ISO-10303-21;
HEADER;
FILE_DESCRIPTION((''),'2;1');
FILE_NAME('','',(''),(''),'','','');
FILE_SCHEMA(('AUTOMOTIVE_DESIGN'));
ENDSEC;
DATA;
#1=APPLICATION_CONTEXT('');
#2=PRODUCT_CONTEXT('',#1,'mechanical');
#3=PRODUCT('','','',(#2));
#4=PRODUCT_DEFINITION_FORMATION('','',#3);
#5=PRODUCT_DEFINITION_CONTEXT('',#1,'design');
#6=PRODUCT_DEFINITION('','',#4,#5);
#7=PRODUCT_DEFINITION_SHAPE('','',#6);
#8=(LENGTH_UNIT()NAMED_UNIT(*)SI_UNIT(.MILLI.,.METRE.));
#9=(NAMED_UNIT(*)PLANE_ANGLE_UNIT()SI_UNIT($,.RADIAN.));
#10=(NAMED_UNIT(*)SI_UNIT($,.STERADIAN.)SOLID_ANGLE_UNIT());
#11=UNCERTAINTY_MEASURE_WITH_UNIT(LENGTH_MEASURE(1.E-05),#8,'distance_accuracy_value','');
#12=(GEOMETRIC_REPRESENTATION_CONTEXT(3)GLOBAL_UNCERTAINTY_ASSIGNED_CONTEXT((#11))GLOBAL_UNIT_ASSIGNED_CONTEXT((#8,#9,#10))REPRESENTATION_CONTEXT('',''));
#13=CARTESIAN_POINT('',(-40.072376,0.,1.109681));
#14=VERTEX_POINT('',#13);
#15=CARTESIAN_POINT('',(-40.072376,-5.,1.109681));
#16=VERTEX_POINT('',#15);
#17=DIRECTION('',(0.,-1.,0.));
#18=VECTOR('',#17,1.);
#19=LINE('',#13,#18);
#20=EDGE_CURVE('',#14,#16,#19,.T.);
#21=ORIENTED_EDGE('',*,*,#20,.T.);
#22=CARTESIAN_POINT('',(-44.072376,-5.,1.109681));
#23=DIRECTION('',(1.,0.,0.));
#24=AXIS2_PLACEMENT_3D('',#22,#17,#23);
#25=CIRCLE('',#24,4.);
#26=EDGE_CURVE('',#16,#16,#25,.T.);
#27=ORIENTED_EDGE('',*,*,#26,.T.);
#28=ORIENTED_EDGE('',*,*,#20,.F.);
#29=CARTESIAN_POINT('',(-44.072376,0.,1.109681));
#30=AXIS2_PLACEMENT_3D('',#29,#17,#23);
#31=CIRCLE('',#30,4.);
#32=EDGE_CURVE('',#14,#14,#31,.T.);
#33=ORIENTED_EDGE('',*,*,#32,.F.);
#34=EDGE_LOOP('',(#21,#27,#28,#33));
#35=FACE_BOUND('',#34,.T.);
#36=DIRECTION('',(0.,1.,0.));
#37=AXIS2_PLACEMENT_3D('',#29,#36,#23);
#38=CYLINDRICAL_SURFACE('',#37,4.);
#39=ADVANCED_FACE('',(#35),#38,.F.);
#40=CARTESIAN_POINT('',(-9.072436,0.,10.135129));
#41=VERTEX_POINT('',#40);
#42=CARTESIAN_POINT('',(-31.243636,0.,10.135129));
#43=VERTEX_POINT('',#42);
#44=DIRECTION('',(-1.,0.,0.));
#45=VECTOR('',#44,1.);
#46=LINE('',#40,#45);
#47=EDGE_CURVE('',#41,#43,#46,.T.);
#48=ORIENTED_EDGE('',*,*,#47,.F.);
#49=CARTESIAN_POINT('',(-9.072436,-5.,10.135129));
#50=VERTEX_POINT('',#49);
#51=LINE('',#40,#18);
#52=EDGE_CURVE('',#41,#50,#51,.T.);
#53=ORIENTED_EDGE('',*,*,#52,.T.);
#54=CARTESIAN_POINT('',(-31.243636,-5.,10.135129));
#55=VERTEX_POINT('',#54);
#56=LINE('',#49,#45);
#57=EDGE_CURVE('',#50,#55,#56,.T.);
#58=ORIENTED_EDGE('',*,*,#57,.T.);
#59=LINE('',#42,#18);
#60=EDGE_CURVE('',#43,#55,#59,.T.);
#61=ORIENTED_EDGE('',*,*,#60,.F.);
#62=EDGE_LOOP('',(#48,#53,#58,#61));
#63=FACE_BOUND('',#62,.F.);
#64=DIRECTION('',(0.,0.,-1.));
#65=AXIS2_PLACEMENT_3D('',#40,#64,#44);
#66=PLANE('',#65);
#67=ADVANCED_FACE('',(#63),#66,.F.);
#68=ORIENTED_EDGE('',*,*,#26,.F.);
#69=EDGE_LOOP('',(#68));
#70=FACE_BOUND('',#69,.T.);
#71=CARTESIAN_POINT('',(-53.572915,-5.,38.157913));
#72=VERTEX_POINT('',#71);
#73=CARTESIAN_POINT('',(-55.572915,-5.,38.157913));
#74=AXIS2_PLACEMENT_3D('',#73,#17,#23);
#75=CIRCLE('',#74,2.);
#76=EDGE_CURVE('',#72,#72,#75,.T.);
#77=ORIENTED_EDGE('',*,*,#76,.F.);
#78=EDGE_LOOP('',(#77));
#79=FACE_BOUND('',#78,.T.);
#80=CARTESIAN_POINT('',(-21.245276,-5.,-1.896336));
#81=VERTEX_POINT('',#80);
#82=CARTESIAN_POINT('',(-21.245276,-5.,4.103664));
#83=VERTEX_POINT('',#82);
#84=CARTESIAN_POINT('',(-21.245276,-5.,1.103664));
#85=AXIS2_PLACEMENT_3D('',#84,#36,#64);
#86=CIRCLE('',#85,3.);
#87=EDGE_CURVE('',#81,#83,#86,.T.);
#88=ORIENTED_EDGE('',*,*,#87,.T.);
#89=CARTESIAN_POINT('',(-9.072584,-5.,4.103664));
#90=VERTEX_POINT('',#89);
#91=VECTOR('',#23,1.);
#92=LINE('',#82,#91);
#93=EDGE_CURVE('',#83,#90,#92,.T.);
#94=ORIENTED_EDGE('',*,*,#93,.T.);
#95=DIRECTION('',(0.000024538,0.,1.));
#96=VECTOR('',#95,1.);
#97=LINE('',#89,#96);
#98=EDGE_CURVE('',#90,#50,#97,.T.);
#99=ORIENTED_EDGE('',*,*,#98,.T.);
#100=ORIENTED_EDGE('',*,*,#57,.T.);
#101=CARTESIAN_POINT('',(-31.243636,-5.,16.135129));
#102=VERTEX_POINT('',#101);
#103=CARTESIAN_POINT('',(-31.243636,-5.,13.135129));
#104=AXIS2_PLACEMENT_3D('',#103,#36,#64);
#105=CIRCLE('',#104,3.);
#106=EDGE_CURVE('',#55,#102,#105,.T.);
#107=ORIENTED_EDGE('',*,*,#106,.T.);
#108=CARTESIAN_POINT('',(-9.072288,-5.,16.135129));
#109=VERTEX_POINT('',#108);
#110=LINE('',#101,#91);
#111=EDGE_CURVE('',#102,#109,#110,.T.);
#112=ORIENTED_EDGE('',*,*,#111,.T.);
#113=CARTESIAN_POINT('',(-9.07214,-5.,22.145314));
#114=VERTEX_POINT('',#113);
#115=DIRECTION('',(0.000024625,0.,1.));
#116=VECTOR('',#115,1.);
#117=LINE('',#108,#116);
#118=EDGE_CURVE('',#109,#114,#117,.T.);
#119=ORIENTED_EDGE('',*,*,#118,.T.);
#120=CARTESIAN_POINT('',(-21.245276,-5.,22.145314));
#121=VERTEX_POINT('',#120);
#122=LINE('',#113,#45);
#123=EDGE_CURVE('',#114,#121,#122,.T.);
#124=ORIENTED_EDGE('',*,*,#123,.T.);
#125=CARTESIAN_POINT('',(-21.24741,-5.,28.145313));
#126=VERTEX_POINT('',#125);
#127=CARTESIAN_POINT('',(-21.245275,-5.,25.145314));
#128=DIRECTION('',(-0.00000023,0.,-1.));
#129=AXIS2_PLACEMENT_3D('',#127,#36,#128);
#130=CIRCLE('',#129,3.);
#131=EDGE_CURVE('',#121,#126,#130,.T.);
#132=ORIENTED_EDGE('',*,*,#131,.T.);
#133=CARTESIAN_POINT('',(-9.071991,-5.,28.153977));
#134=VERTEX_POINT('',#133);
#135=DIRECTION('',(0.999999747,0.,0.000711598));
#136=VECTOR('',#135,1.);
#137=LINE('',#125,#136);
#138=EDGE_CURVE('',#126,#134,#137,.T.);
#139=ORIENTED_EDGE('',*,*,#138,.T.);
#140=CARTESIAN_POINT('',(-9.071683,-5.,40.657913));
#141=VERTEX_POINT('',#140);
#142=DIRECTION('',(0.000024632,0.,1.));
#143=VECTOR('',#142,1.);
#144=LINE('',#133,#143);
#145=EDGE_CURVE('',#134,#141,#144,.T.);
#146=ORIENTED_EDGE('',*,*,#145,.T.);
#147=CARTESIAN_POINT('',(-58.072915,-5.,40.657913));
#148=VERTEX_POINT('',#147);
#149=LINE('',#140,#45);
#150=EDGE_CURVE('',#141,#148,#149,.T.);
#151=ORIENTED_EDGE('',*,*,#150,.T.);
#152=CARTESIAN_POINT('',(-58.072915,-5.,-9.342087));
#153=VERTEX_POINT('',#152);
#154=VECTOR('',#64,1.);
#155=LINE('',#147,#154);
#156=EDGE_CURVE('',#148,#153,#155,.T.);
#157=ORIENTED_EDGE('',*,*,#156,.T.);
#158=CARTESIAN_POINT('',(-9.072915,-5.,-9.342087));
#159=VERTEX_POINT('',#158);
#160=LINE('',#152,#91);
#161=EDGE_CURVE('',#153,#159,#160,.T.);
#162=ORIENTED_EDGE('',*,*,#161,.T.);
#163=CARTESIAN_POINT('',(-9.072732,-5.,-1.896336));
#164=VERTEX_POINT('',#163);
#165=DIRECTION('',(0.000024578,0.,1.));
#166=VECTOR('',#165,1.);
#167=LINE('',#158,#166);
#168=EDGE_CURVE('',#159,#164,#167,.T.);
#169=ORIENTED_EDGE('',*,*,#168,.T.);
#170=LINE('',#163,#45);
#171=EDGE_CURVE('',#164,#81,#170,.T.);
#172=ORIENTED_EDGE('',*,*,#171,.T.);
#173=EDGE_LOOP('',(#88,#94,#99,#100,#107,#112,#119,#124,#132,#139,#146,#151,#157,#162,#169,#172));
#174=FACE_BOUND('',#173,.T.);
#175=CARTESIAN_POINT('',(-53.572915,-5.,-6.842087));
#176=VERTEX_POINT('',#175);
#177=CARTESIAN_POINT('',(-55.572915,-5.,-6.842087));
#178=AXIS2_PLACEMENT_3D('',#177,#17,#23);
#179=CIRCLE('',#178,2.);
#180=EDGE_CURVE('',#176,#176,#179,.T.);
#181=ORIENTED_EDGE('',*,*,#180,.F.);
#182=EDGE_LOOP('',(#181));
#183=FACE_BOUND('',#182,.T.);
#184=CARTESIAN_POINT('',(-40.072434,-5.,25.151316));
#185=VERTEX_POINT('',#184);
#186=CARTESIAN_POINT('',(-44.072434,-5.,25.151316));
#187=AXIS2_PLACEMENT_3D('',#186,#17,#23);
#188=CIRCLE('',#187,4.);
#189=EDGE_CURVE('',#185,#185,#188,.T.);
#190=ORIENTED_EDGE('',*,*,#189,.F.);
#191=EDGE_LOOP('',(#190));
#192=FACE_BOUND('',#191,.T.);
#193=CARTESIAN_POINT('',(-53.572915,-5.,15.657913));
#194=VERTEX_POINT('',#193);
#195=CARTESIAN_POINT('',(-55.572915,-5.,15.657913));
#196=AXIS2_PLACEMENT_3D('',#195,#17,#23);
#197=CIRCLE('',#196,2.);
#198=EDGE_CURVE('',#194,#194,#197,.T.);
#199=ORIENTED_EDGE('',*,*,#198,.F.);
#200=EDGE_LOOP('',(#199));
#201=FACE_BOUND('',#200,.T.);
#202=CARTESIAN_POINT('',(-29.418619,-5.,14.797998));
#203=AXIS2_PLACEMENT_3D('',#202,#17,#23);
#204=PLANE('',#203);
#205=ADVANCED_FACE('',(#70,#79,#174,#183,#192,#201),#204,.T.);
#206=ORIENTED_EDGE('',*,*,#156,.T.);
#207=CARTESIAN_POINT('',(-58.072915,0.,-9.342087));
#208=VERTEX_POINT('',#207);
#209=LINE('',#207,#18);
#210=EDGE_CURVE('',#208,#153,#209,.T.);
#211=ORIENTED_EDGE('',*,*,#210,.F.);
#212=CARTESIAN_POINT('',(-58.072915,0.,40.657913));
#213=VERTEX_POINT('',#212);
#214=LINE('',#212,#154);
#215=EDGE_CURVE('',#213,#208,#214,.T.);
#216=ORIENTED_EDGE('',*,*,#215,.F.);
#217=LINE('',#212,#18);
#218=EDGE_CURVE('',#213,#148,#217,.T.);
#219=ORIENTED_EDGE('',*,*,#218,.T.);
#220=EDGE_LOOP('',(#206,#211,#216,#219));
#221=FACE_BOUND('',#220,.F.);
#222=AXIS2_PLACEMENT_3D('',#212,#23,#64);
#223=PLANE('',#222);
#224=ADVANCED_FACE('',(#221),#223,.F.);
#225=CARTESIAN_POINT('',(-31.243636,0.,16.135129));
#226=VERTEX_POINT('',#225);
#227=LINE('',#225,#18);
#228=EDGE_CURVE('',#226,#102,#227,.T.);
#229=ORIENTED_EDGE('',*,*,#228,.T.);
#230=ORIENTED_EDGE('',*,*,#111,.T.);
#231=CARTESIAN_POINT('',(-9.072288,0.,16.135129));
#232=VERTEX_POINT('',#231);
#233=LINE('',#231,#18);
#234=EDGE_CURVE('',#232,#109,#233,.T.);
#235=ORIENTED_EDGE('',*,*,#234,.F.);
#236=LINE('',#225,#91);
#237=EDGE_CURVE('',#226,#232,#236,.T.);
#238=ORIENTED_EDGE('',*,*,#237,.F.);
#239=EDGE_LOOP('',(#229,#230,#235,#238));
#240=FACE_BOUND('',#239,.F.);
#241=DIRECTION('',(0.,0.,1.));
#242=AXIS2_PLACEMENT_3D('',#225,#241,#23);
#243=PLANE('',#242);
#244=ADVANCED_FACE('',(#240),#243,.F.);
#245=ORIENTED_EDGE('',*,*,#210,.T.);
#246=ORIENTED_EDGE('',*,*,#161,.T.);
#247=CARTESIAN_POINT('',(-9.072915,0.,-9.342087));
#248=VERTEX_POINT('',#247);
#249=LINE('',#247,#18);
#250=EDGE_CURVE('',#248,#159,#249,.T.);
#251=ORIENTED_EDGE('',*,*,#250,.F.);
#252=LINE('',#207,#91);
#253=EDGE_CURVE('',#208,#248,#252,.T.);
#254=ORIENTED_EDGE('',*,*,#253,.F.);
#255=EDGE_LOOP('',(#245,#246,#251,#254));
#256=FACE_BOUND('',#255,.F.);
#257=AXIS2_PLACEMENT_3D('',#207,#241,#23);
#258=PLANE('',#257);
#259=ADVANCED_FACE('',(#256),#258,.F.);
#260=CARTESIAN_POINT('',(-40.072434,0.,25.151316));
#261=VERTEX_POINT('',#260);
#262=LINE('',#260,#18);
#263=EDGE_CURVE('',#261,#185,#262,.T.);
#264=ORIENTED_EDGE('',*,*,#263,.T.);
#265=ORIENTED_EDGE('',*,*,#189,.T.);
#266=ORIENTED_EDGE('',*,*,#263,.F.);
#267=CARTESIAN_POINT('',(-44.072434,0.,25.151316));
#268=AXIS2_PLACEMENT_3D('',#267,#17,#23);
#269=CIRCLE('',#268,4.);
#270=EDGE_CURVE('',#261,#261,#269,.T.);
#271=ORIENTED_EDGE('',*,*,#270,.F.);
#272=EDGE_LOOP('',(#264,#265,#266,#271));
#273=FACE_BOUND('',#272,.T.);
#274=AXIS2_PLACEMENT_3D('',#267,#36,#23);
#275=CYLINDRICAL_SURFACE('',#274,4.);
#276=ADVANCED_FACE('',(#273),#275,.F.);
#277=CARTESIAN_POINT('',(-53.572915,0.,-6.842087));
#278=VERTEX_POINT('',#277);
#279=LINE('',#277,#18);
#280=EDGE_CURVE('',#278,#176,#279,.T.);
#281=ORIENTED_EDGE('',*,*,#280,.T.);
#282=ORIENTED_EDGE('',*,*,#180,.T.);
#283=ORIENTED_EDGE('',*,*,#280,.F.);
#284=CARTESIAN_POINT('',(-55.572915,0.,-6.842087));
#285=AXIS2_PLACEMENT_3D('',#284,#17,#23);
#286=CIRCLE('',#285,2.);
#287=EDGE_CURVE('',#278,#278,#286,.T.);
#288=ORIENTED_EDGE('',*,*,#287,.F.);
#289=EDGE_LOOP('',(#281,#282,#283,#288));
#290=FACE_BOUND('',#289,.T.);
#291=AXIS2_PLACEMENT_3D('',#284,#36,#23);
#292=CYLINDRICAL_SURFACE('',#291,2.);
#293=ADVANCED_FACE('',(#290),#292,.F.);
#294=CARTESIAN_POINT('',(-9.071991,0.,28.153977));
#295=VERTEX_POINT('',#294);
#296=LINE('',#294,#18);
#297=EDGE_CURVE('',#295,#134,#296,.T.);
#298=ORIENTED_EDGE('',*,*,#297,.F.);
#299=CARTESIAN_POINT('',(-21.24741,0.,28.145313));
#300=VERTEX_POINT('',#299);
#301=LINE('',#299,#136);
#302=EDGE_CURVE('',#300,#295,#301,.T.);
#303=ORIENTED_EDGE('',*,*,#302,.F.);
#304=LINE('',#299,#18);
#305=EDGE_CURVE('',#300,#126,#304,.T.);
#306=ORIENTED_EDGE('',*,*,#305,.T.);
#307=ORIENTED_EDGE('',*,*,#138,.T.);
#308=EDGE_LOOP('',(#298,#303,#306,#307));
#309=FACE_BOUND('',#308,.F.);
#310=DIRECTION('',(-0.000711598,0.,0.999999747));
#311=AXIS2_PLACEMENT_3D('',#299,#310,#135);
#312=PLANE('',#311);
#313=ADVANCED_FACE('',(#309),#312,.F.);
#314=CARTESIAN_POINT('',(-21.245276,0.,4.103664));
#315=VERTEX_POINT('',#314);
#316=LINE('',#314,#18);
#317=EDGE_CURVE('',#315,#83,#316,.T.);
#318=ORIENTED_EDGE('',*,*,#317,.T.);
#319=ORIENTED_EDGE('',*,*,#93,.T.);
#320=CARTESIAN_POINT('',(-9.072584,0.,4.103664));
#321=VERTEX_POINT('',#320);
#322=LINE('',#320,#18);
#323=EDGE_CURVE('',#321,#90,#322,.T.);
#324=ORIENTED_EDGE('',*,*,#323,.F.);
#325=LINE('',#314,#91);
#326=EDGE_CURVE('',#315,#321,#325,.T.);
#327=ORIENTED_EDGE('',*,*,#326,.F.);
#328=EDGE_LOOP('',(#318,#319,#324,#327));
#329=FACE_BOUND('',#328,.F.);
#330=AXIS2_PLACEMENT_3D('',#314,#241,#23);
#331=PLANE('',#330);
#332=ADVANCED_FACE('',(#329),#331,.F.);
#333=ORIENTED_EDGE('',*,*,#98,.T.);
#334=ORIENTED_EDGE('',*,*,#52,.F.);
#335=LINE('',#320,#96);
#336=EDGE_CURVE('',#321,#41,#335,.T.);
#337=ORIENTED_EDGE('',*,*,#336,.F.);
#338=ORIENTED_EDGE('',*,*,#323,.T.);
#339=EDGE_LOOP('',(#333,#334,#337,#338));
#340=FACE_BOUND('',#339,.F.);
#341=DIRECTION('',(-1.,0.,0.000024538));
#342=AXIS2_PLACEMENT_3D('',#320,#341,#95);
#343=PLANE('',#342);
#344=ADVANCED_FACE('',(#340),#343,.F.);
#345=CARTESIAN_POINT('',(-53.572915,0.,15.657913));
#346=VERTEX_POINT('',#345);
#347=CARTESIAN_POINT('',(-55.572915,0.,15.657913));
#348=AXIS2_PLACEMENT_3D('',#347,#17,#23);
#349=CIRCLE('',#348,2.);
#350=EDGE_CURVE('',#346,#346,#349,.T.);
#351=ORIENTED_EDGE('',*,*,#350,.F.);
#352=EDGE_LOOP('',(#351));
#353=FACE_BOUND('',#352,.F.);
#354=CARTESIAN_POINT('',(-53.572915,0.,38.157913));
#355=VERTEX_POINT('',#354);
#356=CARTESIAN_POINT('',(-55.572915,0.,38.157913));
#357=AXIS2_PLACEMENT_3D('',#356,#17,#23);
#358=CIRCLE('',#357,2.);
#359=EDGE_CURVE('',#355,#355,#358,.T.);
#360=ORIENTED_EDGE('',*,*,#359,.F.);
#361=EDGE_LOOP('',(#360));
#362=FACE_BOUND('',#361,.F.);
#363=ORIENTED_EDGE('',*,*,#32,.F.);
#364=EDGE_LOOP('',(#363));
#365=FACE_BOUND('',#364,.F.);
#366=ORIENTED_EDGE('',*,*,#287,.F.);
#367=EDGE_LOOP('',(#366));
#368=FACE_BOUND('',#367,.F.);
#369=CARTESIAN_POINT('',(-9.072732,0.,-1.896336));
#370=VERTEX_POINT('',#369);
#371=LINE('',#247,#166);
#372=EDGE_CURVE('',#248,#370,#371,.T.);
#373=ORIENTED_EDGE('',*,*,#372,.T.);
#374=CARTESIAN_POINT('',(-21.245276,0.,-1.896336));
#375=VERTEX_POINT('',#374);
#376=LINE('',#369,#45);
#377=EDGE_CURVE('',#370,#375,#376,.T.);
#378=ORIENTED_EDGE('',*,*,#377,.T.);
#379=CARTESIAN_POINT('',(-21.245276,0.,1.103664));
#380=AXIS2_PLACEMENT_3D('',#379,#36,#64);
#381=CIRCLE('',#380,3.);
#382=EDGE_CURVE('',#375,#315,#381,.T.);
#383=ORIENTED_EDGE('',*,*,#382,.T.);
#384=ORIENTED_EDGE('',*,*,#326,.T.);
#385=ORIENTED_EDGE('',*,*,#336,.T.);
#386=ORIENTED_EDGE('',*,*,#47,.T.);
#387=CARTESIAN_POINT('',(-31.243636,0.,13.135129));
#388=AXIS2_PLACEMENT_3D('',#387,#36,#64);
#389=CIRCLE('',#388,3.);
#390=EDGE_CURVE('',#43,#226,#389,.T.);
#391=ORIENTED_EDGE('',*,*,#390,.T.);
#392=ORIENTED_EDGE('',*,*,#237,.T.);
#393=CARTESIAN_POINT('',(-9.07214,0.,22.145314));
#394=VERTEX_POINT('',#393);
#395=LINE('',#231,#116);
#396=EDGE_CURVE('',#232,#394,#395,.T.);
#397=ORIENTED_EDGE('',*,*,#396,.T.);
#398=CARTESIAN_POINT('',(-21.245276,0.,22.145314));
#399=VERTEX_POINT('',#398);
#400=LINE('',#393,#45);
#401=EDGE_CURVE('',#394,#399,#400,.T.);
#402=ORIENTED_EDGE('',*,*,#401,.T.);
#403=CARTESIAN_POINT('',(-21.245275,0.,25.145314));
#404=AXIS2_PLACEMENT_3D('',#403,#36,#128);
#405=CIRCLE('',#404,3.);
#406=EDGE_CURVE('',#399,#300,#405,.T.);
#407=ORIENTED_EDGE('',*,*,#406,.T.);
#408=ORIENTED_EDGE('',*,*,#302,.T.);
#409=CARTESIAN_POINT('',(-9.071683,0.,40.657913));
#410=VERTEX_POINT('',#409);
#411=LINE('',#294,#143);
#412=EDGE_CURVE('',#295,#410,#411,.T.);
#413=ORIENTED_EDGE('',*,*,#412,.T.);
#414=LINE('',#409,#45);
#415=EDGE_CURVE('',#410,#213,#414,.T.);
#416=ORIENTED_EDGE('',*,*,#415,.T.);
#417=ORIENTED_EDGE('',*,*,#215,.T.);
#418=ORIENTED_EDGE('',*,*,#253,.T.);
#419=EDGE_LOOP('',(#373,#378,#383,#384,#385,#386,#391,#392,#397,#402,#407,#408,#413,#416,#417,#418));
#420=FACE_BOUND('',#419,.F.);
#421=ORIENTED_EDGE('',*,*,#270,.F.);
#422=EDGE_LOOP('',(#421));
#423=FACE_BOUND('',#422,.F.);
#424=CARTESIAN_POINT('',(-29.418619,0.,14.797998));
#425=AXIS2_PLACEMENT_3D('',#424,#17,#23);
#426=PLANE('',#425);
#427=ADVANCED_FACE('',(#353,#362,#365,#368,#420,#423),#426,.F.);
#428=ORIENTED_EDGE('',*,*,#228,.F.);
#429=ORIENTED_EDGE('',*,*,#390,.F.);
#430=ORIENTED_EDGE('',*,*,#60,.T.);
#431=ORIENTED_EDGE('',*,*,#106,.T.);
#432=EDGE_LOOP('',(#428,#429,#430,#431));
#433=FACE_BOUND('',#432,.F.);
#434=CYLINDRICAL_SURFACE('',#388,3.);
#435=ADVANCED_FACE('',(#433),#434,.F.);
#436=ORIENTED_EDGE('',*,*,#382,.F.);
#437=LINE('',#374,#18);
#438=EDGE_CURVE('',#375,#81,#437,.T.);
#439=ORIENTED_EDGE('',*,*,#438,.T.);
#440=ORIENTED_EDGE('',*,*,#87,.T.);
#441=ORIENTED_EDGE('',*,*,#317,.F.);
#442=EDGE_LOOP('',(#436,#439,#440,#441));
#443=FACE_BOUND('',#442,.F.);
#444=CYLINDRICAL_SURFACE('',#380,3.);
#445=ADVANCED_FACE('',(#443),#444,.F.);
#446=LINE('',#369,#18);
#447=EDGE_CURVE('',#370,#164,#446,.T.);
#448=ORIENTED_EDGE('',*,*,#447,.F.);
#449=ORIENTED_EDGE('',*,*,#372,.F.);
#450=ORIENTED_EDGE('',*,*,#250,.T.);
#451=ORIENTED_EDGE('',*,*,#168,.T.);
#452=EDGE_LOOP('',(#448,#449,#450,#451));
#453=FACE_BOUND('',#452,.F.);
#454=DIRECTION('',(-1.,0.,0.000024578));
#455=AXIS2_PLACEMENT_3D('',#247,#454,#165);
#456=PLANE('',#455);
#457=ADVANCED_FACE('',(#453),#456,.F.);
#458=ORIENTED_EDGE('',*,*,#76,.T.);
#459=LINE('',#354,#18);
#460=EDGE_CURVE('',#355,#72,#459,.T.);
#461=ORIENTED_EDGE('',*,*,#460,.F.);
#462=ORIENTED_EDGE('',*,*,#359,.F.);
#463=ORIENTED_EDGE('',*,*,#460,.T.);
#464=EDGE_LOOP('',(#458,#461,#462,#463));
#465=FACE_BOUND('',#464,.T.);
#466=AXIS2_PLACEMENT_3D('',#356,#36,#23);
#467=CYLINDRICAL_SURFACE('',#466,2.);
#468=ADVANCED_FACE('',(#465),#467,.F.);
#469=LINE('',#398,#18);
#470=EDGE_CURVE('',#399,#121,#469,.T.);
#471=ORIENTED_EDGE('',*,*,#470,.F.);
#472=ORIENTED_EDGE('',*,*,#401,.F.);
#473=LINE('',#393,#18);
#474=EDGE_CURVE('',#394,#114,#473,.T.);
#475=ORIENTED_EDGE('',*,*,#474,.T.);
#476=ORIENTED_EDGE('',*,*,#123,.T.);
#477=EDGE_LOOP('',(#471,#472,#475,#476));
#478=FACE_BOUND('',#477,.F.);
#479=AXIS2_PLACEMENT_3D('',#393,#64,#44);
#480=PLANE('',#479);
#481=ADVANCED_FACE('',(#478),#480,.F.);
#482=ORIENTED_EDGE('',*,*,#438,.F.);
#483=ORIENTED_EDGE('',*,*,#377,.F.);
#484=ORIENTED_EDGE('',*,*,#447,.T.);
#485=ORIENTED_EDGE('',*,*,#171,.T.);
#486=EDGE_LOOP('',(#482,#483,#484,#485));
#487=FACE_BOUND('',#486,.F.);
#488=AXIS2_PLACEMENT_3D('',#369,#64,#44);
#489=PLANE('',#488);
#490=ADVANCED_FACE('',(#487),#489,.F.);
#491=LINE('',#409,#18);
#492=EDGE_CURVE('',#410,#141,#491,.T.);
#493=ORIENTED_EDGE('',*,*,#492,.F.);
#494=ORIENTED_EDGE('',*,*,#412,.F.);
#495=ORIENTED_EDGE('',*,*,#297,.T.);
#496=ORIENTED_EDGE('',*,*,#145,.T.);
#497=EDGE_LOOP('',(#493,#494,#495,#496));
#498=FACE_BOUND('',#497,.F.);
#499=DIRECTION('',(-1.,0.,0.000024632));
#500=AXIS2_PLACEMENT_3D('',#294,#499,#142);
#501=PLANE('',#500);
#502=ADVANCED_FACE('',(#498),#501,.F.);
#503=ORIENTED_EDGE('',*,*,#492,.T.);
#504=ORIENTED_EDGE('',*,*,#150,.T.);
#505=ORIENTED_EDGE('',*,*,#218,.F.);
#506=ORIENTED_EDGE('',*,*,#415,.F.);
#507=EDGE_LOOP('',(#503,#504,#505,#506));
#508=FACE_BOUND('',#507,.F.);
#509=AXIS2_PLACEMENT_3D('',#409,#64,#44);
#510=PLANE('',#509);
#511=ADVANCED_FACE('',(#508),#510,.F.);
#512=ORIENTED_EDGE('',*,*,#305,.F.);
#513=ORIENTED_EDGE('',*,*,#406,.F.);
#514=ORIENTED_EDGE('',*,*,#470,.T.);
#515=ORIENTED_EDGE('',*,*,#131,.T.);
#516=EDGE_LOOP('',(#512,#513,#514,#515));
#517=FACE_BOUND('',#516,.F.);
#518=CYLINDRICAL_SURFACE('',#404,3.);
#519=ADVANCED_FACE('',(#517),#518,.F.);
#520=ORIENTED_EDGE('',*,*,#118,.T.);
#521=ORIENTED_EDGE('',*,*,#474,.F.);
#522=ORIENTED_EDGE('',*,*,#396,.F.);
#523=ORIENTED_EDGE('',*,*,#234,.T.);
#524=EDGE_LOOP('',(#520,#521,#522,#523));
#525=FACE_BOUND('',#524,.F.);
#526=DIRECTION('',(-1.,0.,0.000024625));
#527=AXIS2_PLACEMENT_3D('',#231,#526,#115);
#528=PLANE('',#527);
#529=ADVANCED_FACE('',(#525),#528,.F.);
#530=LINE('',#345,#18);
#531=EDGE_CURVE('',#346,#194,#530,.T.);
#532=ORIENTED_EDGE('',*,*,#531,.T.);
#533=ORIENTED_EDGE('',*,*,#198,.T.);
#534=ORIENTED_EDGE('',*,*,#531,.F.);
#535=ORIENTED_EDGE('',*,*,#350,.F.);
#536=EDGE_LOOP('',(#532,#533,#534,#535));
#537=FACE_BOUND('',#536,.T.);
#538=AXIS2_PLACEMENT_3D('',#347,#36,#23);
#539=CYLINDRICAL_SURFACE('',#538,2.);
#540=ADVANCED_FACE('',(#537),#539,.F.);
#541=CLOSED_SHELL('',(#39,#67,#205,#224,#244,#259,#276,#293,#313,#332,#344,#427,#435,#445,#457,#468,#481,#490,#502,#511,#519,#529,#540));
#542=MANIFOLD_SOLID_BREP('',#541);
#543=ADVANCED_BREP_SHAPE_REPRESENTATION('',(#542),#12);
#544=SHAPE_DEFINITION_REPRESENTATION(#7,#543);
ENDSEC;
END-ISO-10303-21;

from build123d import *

# Parameters (mm, degrees)
F0_R     = 2
F0_R_2   = 4
F1_DEPTH = 5


with BuildPart() as f1:
    # F0 (on Front) → F1 (new body)
    with BuildSketch(Plane.XZ):
        with BuildLine():
            Line((-9.071991, 28.153977), (-9.071683, 40.657913))
            Line((-9.071683, 40.657913), (-58.072915, 40.657913))
            Line((-58.072915, 40.657913), (-58.072915, -9.342087))
            Line((-58.072915, -9.342087), (-9.072915, -9.342087))
            Line((-9.072915, -9.342087), (-9.072732, -1.896336))
            Line((-9.072732, -1.896336), (-21.245276, -1.896336))
            ThreePointArc((-21.245276, -1.896336), (-24.245276, 1.103664), (-21.245276, 4.103664))
            Line((-21.245276, 4.103664), (-9.082483, 4.103664))
            Line((-9.082483, 4.103664), (-9.072584, 4.103664))
            Line((-9.072584, 4.103664), (-9.072436, 10.135129))
            Line((-9.072436, 10.135129), (-31.243636, 10.135129))
            ThreePointArc((-31.243636, 10.135129), (-34.243636, 13.135129), (-31.243636, 16.135129))
            Line((-31.243636, 16.135129), (-9.072288, 16.135129))
            Line((-9.072288, 16.135129), (-9.07214, 22.145314))
            Line((-9.07214, 22.145314), (-21.245276, 22.145314))
            ThreePointArc((-21.245276, 22.145314), (-24.245275, 25.144246), (-21.24741, 28.145313))
            Line((-21.24741, 28.145313), (-9.071991, 28.153977))
        make_face()
        with Locations((-55.572915, -6.842087)):
            Circle(F0_R, mode=Mode.SUBTRACT)
        with Locations((-44.072376, 1.109681)):
            Circle(F0_R_2, mode=Mode.SUBTRACT)
        with Locations((-55.572915, 15.657913)):
            Circle(F0_R, mode=Mode.SUBTRACT)
        with Locations((-44.072434, 25.151316)):
            Circle(F0_R_2, mode=Mode.SUBTRACT)
        with Locations((-55.572915, 38.157913)):
            Circle(F0_R, mode=Mode.SUBTRACT)
    extrude(amount=F1_DEPTH)


solid = f1.part
